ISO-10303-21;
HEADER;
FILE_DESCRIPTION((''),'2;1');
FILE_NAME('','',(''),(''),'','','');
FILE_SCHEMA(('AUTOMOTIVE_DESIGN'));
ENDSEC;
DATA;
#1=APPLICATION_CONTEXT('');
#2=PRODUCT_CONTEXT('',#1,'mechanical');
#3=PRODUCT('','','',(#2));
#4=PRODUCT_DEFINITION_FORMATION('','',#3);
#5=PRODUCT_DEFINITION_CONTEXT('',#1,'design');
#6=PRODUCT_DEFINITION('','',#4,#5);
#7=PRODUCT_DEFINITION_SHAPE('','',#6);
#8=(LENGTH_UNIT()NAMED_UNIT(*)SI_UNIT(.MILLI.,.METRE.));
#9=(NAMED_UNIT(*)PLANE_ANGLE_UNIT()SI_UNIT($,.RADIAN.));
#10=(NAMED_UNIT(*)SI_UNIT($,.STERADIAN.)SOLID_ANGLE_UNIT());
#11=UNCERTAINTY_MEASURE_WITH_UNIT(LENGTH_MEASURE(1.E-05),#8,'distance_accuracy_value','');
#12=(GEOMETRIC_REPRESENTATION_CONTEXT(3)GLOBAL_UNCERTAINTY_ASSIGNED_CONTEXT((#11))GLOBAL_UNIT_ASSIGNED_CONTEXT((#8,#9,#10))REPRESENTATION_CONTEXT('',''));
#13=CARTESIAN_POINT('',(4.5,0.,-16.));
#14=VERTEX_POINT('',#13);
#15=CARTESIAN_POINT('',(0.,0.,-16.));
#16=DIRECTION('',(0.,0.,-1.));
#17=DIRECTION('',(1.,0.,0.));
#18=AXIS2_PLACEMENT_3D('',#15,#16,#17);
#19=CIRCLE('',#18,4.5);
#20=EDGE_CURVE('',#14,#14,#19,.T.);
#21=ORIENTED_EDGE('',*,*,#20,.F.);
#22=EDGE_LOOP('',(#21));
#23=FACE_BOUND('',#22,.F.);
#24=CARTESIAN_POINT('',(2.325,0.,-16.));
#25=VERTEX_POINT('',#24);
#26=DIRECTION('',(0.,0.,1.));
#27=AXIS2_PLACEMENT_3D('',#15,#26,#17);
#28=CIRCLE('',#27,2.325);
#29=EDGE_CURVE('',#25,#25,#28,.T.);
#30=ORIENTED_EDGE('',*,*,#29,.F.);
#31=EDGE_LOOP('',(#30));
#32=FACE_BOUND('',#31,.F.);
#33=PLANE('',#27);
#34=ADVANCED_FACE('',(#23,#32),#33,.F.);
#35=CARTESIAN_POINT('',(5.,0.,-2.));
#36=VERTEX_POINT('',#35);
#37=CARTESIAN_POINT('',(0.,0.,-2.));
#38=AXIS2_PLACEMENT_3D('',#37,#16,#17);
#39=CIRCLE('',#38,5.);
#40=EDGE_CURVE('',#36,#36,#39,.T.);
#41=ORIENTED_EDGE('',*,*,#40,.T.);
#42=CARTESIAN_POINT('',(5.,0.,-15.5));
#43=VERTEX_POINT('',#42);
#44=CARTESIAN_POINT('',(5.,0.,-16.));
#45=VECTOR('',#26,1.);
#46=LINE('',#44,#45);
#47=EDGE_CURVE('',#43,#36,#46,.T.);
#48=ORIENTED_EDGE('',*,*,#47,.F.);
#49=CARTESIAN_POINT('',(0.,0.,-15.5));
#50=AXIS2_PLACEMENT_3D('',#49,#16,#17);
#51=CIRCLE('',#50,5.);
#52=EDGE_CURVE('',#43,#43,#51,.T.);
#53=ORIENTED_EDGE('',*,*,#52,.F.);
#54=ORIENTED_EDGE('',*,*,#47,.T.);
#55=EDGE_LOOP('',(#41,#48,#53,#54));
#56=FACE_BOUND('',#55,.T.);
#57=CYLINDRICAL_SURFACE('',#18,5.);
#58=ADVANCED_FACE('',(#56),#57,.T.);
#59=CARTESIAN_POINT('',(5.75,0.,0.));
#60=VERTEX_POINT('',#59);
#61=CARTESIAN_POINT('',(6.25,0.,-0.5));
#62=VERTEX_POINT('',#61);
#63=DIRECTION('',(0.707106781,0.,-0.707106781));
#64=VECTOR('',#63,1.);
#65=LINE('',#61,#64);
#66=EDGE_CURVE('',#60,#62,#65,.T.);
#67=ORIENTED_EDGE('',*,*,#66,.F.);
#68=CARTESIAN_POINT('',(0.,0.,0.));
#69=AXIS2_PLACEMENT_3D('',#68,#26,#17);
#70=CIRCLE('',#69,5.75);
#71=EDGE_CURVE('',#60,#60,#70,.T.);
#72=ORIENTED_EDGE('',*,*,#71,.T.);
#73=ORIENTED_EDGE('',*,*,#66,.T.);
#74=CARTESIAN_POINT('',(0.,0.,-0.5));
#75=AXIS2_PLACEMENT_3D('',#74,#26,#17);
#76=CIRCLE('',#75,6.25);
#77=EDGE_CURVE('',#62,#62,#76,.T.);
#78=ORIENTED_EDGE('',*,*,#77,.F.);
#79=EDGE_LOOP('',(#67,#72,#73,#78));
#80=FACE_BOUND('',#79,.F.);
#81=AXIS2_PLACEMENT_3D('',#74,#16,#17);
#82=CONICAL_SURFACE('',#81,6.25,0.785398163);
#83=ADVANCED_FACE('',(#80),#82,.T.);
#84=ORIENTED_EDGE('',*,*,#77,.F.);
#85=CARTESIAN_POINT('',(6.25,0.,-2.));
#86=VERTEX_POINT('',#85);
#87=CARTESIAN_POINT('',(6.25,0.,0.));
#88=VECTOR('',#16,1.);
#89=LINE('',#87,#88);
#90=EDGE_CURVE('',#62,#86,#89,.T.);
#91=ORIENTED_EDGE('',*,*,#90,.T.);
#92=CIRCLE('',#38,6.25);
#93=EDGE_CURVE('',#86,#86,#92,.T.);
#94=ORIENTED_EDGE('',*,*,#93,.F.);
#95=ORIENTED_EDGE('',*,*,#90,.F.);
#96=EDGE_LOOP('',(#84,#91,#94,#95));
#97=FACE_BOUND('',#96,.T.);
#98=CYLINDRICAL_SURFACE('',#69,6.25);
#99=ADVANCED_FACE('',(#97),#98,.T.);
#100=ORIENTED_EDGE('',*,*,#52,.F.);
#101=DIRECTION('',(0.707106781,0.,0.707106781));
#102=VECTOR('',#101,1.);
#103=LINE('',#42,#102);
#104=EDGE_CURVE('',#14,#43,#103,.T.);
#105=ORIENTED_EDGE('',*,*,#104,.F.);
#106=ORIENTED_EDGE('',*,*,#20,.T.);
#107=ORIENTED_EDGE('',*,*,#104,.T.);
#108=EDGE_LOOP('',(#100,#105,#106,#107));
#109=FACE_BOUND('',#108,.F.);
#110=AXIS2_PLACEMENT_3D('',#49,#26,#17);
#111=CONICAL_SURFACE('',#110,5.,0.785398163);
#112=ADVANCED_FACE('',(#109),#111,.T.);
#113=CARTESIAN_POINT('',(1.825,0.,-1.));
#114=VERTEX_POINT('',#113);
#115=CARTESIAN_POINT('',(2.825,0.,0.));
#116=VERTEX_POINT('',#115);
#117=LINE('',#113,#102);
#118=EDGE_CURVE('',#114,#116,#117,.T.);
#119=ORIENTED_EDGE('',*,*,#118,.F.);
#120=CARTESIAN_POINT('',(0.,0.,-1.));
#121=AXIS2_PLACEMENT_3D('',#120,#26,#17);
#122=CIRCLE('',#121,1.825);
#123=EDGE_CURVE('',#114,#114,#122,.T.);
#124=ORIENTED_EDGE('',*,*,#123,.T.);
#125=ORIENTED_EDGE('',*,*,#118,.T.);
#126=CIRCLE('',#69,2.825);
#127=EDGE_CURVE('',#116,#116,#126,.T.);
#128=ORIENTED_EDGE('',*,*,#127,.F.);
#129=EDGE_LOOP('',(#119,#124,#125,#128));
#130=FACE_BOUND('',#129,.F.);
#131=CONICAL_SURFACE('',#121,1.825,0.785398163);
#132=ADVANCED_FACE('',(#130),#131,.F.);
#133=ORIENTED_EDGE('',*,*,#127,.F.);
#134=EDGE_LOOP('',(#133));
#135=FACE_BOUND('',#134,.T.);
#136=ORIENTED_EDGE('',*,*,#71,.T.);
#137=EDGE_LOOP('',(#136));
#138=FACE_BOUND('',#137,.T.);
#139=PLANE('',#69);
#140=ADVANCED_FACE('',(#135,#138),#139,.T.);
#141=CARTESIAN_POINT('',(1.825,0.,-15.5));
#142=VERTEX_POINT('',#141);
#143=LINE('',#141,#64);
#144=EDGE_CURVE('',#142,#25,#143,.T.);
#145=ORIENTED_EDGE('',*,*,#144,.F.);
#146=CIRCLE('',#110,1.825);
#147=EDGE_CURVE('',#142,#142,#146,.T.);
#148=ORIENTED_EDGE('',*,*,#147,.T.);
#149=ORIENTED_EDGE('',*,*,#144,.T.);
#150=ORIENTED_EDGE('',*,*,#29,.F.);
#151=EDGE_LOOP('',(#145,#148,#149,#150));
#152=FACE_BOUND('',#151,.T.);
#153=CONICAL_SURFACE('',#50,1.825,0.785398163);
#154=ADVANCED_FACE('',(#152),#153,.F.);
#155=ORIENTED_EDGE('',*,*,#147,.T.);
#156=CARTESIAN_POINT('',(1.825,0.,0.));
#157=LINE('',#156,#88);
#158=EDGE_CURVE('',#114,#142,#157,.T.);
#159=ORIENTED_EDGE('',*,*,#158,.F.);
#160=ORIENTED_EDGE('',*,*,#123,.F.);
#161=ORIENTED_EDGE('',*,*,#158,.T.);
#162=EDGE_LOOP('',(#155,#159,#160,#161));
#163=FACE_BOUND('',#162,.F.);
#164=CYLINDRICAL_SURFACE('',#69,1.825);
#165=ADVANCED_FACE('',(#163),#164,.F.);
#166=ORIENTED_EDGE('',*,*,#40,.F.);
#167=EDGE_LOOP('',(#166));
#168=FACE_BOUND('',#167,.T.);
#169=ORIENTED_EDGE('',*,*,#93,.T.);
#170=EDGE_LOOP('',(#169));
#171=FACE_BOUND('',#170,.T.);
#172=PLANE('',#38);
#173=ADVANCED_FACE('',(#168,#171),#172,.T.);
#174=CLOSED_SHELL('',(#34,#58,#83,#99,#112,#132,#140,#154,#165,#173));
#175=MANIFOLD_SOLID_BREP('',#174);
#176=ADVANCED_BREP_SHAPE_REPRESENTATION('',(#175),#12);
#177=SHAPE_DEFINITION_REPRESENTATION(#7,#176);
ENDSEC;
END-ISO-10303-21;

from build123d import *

# Parameters (mm, degrees)
F0_R     = 6.25
F0_R_2   = 1.825
F1_DEPTH = 16
F2_SIZE  = 1
F3_R     = 6.25
F3_R_2   = 5
F4_DEPTH = 14
F5_SIZE  = 0.5


with BuildPart() as f1:
    # F0 (on Top) → F1 (new body)
    with BuildSketch(Plane.XY):
        Circle(F0_R)
        Circle(F0_R_2, mode=Mode.SUBTRACT)
    extrude(amount=-F1_DEPTH)

    # F2
    f2_edges = [f1.edges().sort_by_distance(p)[0] for p in [
        (-1.825, 0, 0),
    ]]
    chamfer(f2_edges, length=F2_SIZE)

    # F3 (on face) → F4 (cut)
    with BuildSketch(Plane(origin=(0, 0, -16), x_dir=(1, 0, 0), z_dir=(0, 0, -1))):
        Circle(F3_R)
        Circle(F3_R_2, mode=Mode.SUBTRACT)
    extrude(amount=-F4_DEPTH, mode=Mode.SUBTRACT)

    # F5
    f5_edges = [f1.edges().sort_by_distance(p)[0] for p in [
        (-5, 0, -16),
        (-1.825, 0, -16),
        (-6.25, 0, 0),
    ]]
    chamfer(f5_edges, length=F5_SIZE)


solid = f1.part
